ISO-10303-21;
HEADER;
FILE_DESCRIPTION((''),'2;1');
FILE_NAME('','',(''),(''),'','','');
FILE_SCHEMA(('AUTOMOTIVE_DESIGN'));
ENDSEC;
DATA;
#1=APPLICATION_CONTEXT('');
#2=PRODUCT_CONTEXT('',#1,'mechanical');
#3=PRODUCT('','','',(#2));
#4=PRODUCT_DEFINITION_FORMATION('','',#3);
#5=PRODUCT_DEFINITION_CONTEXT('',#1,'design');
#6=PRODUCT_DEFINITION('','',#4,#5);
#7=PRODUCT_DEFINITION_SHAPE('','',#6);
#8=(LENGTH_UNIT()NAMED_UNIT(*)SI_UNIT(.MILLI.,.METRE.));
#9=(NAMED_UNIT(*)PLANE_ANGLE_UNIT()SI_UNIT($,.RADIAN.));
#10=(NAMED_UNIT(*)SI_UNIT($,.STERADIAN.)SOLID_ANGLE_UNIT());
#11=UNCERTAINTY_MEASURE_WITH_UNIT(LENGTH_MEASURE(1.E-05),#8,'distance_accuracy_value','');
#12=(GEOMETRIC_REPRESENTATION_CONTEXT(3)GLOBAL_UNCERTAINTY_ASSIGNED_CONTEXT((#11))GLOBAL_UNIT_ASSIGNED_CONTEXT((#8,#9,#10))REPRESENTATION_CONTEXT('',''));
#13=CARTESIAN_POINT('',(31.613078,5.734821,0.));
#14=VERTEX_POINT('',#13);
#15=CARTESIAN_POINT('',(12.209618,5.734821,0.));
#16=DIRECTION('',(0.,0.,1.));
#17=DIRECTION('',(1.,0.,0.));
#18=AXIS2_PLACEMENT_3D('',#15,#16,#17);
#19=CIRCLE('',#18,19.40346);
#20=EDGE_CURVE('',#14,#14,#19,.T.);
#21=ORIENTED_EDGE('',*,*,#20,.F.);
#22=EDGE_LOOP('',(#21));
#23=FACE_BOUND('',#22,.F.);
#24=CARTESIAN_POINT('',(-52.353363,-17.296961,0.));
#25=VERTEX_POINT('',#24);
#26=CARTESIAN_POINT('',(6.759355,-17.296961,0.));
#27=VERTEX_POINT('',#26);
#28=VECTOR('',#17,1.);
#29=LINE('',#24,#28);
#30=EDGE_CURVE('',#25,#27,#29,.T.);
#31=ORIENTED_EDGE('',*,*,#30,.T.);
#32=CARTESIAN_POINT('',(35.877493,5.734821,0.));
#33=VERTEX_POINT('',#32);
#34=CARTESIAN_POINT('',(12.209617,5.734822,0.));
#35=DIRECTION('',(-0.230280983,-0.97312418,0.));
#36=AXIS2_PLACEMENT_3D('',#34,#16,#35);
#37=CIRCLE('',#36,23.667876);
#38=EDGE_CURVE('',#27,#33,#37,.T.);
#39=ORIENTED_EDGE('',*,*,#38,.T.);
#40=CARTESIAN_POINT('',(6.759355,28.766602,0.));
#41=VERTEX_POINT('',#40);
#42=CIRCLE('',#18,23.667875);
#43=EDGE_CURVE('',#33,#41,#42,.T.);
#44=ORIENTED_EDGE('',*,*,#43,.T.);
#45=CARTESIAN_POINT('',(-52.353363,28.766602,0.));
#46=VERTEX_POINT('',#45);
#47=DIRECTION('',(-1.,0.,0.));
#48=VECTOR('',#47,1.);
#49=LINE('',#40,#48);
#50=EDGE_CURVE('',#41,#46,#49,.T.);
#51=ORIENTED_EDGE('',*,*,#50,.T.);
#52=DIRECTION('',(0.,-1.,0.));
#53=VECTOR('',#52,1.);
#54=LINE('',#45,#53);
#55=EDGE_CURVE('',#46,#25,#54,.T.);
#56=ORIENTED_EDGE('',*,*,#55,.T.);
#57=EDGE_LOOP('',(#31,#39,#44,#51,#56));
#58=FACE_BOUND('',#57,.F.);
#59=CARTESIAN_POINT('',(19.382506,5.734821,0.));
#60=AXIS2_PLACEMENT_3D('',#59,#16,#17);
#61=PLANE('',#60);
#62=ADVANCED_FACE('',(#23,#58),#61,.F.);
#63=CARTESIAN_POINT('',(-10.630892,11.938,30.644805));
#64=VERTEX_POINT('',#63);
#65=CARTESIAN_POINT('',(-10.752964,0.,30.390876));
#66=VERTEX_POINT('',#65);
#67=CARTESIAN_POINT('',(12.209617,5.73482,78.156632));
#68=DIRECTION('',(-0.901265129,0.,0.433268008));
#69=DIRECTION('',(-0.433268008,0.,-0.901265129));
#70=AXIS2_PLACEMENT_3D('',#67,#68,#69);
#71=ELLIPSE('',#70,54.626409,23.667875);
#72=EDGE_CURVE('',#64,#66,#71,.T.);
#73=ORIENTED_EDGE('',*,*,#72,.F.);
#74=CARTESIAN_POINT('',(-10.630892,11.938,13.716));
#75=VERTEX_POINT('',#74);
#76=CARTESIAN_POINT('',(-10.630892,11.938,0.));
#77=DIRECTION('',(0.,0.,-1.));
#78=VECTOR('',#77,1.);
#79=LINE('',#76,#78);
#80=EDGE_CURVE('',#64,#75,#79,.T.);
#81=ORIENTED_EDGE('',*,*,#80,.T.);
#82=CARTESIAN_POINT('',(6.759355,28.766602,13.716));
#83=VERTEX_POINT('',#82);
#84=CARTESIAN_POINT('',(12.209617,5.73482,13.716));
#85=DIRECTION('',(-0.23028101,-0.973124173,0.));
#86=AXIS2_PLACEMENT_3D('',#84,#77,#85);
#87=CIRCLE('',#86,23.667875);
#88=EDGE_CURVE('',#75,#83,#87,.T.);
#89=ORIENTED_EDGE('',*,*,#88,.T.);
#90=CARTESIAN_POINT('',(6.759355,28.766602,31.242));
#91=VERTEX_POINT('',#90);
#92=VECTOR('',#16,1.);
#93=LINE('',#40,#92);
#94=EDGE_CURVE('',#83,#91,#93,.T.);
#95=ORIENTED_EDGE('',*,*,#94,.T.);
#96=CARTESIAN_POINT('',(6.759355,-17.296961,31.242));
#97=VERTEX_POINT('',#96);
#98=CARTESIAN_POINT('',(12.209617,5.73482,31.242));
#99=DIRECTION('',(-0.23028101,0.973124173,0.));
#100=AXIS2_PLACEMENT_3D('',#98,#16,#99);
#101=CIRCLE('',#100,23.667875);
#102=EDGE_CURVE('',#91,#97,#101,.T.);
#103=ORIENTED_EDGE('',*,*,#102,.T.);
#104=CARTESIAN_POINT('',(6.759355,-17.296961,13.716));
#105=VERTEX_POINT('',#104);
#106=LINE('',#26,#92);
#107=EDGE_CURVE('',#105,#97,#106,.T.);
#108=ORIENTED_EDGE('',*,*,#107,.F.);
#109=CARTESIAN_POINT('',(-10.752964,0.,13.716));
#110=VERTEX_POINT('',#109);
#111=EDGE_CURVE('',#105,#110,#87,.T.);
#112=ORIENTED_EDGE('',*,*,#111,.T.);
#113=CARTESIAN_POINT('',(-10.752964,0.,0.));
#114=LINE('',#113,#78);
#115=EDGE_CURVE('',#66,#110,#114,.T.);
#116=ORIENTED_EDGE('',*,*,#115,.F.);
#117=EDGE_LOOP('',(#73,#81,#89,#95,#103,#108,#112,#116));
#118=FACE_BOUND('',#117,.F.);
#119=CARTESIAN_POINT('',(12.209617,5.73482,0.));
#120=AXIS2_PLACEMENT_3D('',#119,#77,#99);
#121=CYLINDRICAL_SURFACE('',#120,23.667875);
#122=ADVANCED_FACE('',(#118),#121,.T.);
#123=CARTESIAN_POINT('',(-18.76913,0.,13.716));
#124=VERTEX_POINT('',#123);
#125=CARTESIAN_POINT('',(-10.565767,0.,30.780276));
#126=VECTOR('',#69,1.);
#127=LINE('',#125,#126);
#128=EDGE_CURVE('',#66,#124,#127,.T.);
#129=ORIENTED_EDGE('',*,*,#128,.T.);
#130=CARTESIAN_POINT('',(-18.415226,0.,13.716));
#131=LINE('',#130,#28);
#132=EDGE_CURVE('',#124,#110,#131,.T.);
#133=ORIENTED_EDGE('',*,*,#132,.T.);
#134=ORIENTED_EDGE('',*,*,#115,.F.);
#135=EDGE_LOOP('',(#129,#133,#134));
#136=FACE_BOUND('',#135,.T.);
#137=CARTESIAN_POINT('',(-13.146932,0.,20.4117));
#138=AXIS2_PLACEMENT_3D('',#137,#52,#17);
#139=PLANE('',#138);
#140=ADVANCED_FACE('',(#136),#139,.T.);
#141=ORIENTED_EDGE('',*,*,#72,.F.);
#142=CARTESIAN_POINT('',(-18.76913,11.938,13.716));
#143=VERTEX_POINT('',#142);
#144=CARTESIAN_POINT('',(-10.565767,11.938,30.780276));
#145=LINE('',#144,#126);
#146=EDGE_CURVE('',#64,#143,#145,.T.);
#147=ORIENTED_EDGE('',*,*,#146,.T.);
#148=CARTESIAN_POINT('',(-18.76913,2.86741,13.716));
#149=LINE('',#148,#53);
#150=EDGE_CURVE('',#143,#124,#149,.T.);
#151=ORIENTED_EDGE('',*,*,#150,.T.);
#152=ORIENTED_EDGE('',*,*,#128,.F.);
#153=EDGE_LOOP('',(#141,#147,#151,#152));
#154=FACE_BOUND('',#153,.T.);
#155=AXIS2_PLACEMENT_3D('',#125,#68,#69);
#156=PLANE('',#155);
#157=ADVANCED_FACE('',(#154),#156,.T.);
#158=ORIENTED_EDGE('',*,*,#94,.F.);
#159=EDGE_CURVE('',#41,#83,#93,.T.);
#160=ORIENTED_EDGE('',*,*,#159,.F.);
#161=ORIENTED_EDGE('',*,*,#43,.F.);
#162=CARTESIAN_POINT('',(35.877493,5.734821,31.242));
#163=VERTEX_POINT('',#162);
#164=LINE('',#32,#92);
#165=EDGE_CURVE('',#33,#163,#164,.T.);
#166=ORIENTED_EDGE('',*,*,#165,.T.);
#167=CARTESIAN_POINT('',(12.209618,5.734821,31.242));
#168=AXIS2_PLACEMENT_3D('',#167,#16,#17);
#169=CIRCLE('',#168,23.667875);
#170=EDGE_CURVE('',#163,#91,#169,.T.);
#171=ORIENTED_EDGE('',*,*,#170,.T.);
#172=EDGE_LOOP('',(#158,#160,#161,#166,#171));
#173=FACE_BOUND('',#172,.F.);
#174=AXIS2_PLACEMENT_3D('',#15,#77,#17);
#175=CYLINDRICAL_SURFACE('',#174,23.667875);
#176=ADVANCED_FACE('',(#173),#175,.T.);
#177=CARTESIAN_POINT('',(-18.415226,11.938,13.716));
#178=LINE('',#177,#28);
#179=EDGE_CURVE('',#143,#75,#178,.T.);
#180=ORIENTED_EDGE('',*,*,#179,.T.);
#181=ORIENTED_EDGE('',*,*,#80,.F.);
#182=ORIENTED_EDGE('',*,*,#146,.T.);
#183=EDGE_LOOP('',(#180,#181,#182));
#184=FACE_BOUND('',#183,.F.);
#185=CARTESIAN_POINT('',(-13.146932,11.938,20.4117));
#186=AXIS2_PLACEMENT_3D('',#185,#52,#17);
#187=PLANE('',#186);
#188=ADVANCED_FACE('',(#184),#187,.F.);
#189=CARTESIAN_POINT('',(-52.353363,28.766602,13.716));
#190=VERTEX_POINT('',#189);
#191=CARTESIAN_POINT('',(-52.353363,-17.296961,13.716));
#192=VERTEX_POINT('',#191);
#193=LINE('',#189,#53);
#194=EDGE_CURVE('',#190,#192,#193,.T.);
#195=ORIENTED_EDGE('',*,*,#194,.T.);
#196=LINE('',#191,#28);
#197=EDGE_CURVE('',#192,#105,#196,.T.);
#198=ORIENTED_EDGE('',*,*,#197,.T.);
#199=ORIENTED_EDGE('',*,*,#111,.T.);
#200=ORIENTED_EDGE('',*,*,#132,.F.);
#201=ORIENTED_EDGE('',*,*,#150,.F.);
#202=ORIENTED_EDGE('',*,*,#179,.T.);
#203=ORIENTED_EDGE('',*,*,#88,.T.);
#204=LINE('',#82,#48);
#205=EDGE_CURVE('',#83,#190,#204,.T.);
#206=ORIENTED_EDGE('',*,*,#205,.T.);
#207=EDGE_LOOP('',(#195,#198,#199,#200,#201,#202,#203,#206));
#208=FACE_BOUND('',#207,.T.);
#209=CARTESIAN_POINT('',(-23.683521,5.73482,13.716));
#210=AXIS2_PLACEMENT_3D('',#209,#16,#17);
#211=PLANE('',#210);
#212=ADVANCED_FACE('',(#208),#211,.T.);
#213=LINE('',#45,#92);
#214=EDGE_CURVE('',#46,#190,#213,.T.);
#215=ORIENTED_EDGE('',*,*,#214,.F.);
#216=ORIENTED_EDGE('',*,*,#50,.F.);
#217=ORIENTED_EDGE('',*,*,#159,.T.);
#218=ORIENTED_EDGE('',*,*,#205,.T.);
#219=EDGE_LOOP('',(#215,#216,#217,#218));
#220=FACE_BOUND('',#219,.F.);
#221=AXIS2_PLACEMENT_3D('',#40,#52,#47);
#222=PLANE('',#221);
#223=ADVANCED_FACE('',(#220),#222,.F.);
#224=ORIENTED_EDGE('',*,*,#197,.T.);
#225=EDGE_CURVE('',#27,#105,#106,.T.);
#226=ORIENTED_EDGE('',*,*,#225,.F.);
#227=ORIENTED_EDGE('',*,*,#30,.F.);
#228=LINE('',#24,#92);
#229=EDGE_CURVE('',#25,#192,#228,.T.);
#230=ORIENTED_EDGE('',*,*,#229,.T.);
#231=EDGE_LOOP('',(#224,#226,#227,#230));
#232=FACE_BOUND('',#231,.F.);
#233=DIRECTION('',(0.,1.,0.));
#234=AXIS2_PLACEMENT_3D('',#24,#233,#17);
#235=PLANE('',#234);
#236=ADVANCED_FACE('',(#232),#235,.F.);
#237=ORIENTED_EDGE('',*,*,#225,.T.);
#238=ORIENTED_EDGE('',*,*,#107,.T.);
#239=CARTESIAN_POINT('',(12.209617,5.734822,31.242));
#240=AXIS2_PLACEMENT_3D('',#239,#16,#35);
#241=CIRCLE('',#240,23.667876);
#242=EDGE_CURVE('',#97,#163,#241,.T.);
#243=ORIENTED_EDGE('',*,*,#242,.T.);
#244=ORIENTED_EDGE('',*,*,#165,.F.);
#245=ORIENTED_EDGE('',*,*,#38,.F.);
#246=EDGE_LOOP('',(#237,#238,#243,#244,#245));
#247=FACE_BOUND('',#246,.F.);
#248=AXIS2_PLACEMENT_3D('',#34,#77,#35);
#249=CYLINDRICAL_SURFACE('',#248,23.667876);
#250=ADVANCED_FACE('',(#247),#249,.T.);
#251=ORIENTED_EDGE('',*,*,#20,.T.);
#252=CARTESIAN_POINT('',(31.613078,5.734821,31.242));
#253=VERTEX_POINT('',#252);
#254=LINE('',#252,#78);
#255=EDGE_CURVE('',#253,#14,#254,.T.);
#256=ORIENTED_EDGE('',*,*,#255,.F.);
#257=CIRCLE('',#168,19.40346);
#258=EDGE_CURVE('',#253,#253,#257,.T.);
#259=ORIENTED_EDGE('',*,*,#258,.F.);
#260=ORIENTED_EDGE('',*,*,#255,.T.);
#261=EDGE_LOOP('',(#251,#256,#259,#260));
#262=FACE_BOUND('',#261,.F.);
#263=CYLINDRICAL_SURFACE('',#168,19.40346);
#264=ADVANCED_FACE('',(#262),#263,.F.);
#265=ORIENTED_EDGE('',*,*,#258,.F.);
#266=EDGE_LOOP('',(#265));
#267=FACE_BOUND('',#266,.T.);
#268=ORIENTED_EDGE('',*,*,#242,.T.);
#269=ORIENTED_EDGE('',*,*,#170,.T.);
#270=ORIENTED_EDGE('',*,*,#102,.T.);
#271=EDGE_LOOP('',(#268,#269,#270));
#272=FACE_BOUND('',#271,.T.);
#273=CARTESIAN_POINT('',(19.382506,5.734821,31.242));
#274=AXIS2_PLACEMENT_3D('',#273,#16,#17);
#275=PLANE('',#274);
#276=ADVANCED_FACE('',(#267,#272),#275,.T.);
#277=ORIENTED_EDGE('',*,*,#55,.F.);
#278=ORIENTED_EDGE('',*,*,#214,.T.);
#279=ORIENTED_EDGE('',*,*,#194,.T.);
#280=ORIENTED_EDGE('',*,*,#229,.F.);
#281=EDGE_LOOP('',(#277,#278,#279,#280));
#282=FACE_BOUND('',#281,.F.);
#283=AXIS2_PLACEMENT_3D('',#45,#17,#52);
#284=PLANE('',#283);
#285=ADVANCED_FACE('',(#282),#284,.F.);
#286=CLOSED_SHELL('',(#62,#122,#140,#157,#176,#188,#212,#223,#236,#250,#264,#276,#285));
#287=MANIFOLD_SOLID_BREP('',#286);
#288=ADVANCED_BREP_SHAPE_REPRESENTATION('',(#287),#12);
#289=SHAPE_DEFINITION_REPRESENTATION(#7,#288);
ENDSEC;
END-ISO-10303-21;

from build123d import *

# Parameters (mm, degrees)
F1_DEPTH = 13.716
F2_DEPTH = 31.242
F3_R     = 19.40346
F4_DEPTH = 44.45
F6_DEPTH = 11.938


with BuildPart() as f1:
    # F0 (on Top) → F1 (new body)
    with BuildSketch(Plane.XY):
        with BuildLine():
            Line((6.759355, 28.766602), (-52.353363, 28.766602))
            Line((-52.353363, 28.766602), (-52.353363, -17.296961))
            Line((-52.353363, -17.296961), (6.759355, -17.296961))
            ThreePointArc((6.759355, -17.296961), (-11.458258, 5.734821), (6.759355, 28.766602))
        make_face()
    extrude(amount=F1_DEPTH)

    # F0 (on Top) → F2 (join)
    with BuildSketch(Plane.XY):
        with BuildLine():
            ThreePointArc((35.877493, 5.734821), (26.892468, 24.297747), (6.759355, 28.766602))
            Line((6.759355, 28.766602), (12.209618, 28.766602))
            Line((12.209618, 28.766602), (12.209618, -17.296961))
            Line((12.209618, -17.296961), (6.759355, -17.296961))
            ThreePointArc((6.759355, -17.296961), (26.892468, -12.828105), (35.877493, 5.734821))
        make_face()
        with BuildLine():
            Line((12.209618, 28.766602), (6.759355, 28.766602))
            ThreePointArc((6.759355, 28.766602), (-11.458258, 5.734821), (6.759355, -17.296961))
            Line((6.759355, -17.296961), (12.209618, -17.296961))
            Line((12.209618, -17.296961), (12.209618, 28.766602))
        make_face()
    extrude(amount=F2_DEPTH)

    # F3 (on face) → F4 (cut)
    with BuildSketch(Plane.XY.offset(31.242)):
        with Locations((12.209618, 5.734821)):
            Circle(F3_R)
    extrude(amount=-F4_DEPTH, mode=Mode.SUBTRACT)

    # F5 (on Front) → F6 (join)
    with BuildSketch(Plane.XZ):
        Polygon((-10.565767, 13.289291), (-10.565767, 30.780276), (-18.974263, 13.289291), align=None)
    extrude(amount=-F6_DEPTH)


solid = f1.part
